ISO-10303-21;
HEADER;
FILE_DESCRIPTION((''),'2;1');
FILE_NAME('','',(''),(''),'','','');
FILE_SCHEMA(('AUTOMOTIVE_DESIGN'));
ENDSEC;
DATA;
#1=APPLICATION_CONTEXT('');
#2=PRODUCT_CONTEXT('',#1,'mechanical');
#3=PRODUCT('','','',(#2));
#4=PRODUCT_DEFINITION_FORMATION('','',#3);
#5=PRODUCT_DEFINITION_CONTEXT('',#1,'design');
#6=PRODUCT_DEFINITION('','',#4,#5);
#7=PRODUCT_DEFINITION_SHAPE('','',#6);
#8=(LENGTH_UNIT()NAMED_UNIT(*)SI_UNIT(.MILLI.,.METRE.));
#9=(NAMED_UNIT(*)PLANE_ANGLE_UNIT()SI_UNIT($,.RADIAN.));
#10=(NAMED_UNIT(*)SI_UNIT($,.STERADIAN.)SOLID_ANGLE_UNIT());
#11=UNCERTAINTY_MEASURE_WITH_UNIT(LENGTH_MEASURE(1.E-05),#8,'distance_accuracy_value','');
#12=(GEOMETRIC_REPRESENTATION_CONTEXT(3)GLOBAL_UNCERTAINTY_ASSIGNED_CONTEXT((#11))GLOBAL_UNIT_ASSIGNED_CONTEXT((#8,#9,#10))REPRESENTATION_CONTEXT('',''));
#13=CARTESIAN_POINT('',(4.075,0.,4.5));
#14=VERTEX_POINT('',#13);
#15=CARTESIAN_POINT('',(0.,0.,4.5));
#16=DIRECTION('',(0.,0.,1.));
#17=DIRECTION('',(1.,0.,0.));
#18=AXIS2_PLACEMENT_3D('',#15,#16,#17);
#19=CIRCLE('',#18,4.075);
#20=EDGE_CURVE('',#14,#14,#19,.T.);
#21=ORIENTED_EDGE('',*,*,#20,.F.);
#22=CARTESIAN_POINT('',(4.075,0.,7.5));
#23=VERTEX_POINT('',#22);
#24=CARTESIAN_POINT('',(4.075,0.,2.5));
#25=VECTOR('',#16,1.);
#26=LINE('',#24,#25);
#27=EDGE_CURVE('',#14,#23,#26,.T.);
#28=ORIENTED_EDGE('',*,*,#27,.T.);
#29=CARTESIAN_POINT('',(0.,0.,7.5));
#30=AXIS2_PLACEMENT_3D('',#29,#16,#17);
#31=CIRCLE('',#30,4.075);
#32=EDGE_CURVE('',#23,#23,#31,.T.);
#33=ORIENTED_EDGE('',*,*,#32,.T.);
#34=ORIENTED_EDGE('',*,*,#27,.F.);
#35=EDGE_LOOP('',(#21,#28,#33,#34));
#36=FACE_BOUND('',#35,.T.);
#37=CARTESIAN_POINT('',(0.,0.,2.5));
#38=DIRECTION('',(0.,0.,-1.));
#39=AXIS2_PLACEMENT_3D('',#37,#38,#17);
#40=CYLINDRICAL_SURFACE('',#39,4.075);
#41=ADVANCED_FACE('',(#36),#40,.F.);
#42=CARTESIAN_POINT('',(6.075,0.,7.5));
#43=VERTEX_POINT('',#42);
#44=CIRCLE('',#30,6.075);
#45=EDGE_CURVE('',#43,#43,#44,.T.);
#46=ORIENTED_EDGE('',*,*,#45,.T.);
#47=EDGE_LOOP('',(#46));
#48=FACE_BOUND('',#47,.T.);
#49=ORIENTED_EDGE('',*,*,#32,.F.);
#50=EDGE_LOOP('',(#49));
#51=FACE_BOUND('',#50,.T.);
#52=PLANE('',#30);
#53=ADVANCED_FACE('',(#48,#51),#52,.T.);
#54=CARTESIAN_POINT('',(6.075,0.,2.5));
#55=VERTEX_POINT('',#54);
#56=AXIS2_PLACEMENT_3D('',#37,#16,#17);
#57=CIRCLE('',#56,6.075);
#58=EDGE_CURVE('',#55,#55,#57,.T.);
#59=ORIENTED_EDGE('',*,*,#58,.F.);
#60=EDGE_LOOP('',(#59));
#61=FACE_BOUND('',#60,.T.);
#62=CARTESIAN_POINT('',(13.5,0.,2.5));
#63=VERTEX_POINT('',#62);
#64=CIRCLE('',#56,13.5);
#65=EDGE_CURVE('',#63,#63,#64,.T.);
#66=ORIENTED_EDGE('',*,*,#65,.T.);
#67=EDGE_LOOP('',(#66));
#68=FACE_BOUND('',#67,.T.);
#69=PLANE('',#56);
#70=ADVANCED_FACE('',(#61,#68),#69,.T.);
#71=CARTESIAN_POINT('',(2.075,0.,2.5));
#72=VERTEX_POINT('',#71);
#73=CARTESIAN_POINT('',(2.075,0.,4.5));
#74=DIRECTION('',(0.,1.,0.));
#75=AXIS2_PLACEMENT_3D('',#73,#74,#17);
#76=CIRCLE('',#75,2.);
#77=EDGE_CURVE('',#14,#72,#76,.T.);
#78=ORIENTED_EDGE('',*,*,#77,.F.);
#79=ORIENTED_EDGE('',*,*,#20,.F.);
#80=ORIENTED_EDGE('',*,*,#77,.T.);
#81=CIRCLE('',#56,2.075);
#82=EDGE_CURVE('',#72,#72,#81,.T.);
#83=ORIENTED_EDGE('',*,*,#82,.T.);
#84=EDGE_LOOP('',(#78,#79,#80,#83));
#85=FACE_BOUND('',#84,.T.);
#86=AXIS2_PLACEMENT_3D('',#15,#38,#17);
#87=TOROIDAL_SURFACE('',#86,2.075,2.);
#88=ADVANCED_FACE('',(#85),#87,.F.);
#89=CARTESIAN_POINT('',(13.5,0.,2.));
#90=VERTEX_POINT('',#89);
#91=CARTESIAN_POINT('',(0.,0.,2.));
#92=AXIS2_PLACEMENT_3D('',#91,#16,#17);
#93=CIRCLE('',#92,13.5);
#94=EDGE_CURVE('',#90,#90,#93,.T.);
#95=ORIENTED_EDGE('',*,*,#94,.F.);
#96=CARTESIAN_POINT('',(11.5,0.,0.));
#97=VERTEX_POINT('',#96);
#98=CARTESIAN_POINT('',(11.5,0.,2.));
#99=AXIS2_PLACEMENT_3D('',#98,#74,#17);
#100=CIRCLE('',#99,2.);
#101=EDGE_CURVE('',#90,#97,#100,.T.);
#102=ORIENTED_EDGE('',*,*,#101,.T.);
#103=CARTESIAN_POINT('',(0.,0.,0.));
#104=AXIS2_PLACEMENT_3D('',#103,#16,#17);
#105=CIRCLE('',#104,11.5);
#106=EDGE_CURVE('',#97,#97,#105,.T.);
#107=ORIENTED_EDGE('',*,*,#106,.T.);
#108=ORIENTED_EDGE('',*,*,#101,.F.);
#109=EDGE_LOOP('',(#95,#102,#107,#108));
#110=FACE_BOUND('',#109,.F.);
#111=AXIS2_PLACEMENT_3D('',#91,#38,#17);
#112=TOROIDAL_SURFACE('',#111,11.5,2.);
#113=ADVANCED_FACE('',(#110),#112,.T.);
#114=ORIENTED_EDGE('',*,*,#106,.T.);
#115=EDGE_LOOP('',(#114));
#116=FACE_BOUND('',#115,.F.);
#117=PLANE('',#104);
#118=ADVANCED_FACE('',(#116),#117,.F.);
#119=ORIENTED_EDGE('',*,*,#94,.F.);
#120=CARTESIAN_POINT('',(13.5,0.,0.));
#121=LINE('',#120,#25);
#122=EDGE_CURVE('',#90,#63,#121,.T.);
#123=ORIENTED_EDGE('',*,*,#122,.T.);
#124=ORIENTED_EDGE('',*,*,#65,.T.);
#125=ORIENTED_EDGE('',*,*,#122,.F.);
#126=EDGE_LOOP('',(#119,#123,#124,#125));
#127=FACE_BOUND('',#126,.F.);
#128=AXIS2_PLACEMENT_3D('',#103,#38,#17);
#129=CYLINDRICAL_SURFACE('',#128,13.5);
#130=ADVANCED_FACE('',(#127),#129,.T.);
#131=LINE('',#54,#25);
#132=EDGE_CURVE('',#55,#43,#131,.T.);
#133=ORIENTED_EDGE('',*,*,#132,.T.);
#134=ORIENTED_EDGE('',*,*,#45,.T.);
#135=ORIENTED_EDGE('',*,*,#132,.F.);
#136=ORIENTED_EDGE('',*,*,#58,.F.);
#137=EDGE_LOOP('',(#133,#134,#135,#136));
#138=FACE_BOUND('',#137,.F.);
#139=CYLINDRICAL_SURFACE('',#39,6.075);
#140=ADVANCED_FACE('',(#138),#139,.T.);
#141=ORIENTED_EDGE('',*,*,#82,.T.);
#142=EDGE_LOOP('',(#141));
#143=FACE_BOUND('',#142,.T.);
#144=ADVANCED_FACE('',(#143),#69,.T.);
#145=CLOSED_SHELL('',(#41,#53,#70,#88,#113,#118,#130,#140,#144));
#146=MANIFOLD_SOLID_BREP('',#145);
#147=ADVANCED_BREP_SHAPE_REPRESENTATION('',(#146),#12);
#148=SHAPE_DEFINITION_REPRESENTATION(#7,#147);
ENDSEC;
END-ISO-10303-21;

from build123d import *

# Parameters (mm, degrees)
F0_R     = 13.5
F1_DEPTH = 2.5
F2_R     = 6.075
F2_R_2   = 4.075
F3_DEPTH = 5
F4_R     = 2
F5_R     = 2


with BuildPart() as f1:
    # F0 (on Top) → F1 (new body)
    with BuildSketch(Plane.XY):
        Circle(F0_R)
    extrude(amount=F1_DEPTH)

    # F2 (on face) → F3 (join)
    with BuildSketch(Plane.XY.offset(2.5)):
        Circle(F2_R)
        Circle(F2_R_2, mode=Mode.SUBTRACT)
    extrude(amount=F3_DEPTH)

    # F4
    f4_edges = [f1.edges().sort_by_distance(p)[0] for p in [
        (-4.075, 0, 2.5),
    ]]
    fillet(f4_edges, radius=F4_R)

    # F5
    f5_edges = [f1.edges().sort_by_distance(p)[0] for p in [
        (-13.5, 0, 0),
    ]]
    fillet(f5_edges, radius=F5_R)


solid = f1.part
